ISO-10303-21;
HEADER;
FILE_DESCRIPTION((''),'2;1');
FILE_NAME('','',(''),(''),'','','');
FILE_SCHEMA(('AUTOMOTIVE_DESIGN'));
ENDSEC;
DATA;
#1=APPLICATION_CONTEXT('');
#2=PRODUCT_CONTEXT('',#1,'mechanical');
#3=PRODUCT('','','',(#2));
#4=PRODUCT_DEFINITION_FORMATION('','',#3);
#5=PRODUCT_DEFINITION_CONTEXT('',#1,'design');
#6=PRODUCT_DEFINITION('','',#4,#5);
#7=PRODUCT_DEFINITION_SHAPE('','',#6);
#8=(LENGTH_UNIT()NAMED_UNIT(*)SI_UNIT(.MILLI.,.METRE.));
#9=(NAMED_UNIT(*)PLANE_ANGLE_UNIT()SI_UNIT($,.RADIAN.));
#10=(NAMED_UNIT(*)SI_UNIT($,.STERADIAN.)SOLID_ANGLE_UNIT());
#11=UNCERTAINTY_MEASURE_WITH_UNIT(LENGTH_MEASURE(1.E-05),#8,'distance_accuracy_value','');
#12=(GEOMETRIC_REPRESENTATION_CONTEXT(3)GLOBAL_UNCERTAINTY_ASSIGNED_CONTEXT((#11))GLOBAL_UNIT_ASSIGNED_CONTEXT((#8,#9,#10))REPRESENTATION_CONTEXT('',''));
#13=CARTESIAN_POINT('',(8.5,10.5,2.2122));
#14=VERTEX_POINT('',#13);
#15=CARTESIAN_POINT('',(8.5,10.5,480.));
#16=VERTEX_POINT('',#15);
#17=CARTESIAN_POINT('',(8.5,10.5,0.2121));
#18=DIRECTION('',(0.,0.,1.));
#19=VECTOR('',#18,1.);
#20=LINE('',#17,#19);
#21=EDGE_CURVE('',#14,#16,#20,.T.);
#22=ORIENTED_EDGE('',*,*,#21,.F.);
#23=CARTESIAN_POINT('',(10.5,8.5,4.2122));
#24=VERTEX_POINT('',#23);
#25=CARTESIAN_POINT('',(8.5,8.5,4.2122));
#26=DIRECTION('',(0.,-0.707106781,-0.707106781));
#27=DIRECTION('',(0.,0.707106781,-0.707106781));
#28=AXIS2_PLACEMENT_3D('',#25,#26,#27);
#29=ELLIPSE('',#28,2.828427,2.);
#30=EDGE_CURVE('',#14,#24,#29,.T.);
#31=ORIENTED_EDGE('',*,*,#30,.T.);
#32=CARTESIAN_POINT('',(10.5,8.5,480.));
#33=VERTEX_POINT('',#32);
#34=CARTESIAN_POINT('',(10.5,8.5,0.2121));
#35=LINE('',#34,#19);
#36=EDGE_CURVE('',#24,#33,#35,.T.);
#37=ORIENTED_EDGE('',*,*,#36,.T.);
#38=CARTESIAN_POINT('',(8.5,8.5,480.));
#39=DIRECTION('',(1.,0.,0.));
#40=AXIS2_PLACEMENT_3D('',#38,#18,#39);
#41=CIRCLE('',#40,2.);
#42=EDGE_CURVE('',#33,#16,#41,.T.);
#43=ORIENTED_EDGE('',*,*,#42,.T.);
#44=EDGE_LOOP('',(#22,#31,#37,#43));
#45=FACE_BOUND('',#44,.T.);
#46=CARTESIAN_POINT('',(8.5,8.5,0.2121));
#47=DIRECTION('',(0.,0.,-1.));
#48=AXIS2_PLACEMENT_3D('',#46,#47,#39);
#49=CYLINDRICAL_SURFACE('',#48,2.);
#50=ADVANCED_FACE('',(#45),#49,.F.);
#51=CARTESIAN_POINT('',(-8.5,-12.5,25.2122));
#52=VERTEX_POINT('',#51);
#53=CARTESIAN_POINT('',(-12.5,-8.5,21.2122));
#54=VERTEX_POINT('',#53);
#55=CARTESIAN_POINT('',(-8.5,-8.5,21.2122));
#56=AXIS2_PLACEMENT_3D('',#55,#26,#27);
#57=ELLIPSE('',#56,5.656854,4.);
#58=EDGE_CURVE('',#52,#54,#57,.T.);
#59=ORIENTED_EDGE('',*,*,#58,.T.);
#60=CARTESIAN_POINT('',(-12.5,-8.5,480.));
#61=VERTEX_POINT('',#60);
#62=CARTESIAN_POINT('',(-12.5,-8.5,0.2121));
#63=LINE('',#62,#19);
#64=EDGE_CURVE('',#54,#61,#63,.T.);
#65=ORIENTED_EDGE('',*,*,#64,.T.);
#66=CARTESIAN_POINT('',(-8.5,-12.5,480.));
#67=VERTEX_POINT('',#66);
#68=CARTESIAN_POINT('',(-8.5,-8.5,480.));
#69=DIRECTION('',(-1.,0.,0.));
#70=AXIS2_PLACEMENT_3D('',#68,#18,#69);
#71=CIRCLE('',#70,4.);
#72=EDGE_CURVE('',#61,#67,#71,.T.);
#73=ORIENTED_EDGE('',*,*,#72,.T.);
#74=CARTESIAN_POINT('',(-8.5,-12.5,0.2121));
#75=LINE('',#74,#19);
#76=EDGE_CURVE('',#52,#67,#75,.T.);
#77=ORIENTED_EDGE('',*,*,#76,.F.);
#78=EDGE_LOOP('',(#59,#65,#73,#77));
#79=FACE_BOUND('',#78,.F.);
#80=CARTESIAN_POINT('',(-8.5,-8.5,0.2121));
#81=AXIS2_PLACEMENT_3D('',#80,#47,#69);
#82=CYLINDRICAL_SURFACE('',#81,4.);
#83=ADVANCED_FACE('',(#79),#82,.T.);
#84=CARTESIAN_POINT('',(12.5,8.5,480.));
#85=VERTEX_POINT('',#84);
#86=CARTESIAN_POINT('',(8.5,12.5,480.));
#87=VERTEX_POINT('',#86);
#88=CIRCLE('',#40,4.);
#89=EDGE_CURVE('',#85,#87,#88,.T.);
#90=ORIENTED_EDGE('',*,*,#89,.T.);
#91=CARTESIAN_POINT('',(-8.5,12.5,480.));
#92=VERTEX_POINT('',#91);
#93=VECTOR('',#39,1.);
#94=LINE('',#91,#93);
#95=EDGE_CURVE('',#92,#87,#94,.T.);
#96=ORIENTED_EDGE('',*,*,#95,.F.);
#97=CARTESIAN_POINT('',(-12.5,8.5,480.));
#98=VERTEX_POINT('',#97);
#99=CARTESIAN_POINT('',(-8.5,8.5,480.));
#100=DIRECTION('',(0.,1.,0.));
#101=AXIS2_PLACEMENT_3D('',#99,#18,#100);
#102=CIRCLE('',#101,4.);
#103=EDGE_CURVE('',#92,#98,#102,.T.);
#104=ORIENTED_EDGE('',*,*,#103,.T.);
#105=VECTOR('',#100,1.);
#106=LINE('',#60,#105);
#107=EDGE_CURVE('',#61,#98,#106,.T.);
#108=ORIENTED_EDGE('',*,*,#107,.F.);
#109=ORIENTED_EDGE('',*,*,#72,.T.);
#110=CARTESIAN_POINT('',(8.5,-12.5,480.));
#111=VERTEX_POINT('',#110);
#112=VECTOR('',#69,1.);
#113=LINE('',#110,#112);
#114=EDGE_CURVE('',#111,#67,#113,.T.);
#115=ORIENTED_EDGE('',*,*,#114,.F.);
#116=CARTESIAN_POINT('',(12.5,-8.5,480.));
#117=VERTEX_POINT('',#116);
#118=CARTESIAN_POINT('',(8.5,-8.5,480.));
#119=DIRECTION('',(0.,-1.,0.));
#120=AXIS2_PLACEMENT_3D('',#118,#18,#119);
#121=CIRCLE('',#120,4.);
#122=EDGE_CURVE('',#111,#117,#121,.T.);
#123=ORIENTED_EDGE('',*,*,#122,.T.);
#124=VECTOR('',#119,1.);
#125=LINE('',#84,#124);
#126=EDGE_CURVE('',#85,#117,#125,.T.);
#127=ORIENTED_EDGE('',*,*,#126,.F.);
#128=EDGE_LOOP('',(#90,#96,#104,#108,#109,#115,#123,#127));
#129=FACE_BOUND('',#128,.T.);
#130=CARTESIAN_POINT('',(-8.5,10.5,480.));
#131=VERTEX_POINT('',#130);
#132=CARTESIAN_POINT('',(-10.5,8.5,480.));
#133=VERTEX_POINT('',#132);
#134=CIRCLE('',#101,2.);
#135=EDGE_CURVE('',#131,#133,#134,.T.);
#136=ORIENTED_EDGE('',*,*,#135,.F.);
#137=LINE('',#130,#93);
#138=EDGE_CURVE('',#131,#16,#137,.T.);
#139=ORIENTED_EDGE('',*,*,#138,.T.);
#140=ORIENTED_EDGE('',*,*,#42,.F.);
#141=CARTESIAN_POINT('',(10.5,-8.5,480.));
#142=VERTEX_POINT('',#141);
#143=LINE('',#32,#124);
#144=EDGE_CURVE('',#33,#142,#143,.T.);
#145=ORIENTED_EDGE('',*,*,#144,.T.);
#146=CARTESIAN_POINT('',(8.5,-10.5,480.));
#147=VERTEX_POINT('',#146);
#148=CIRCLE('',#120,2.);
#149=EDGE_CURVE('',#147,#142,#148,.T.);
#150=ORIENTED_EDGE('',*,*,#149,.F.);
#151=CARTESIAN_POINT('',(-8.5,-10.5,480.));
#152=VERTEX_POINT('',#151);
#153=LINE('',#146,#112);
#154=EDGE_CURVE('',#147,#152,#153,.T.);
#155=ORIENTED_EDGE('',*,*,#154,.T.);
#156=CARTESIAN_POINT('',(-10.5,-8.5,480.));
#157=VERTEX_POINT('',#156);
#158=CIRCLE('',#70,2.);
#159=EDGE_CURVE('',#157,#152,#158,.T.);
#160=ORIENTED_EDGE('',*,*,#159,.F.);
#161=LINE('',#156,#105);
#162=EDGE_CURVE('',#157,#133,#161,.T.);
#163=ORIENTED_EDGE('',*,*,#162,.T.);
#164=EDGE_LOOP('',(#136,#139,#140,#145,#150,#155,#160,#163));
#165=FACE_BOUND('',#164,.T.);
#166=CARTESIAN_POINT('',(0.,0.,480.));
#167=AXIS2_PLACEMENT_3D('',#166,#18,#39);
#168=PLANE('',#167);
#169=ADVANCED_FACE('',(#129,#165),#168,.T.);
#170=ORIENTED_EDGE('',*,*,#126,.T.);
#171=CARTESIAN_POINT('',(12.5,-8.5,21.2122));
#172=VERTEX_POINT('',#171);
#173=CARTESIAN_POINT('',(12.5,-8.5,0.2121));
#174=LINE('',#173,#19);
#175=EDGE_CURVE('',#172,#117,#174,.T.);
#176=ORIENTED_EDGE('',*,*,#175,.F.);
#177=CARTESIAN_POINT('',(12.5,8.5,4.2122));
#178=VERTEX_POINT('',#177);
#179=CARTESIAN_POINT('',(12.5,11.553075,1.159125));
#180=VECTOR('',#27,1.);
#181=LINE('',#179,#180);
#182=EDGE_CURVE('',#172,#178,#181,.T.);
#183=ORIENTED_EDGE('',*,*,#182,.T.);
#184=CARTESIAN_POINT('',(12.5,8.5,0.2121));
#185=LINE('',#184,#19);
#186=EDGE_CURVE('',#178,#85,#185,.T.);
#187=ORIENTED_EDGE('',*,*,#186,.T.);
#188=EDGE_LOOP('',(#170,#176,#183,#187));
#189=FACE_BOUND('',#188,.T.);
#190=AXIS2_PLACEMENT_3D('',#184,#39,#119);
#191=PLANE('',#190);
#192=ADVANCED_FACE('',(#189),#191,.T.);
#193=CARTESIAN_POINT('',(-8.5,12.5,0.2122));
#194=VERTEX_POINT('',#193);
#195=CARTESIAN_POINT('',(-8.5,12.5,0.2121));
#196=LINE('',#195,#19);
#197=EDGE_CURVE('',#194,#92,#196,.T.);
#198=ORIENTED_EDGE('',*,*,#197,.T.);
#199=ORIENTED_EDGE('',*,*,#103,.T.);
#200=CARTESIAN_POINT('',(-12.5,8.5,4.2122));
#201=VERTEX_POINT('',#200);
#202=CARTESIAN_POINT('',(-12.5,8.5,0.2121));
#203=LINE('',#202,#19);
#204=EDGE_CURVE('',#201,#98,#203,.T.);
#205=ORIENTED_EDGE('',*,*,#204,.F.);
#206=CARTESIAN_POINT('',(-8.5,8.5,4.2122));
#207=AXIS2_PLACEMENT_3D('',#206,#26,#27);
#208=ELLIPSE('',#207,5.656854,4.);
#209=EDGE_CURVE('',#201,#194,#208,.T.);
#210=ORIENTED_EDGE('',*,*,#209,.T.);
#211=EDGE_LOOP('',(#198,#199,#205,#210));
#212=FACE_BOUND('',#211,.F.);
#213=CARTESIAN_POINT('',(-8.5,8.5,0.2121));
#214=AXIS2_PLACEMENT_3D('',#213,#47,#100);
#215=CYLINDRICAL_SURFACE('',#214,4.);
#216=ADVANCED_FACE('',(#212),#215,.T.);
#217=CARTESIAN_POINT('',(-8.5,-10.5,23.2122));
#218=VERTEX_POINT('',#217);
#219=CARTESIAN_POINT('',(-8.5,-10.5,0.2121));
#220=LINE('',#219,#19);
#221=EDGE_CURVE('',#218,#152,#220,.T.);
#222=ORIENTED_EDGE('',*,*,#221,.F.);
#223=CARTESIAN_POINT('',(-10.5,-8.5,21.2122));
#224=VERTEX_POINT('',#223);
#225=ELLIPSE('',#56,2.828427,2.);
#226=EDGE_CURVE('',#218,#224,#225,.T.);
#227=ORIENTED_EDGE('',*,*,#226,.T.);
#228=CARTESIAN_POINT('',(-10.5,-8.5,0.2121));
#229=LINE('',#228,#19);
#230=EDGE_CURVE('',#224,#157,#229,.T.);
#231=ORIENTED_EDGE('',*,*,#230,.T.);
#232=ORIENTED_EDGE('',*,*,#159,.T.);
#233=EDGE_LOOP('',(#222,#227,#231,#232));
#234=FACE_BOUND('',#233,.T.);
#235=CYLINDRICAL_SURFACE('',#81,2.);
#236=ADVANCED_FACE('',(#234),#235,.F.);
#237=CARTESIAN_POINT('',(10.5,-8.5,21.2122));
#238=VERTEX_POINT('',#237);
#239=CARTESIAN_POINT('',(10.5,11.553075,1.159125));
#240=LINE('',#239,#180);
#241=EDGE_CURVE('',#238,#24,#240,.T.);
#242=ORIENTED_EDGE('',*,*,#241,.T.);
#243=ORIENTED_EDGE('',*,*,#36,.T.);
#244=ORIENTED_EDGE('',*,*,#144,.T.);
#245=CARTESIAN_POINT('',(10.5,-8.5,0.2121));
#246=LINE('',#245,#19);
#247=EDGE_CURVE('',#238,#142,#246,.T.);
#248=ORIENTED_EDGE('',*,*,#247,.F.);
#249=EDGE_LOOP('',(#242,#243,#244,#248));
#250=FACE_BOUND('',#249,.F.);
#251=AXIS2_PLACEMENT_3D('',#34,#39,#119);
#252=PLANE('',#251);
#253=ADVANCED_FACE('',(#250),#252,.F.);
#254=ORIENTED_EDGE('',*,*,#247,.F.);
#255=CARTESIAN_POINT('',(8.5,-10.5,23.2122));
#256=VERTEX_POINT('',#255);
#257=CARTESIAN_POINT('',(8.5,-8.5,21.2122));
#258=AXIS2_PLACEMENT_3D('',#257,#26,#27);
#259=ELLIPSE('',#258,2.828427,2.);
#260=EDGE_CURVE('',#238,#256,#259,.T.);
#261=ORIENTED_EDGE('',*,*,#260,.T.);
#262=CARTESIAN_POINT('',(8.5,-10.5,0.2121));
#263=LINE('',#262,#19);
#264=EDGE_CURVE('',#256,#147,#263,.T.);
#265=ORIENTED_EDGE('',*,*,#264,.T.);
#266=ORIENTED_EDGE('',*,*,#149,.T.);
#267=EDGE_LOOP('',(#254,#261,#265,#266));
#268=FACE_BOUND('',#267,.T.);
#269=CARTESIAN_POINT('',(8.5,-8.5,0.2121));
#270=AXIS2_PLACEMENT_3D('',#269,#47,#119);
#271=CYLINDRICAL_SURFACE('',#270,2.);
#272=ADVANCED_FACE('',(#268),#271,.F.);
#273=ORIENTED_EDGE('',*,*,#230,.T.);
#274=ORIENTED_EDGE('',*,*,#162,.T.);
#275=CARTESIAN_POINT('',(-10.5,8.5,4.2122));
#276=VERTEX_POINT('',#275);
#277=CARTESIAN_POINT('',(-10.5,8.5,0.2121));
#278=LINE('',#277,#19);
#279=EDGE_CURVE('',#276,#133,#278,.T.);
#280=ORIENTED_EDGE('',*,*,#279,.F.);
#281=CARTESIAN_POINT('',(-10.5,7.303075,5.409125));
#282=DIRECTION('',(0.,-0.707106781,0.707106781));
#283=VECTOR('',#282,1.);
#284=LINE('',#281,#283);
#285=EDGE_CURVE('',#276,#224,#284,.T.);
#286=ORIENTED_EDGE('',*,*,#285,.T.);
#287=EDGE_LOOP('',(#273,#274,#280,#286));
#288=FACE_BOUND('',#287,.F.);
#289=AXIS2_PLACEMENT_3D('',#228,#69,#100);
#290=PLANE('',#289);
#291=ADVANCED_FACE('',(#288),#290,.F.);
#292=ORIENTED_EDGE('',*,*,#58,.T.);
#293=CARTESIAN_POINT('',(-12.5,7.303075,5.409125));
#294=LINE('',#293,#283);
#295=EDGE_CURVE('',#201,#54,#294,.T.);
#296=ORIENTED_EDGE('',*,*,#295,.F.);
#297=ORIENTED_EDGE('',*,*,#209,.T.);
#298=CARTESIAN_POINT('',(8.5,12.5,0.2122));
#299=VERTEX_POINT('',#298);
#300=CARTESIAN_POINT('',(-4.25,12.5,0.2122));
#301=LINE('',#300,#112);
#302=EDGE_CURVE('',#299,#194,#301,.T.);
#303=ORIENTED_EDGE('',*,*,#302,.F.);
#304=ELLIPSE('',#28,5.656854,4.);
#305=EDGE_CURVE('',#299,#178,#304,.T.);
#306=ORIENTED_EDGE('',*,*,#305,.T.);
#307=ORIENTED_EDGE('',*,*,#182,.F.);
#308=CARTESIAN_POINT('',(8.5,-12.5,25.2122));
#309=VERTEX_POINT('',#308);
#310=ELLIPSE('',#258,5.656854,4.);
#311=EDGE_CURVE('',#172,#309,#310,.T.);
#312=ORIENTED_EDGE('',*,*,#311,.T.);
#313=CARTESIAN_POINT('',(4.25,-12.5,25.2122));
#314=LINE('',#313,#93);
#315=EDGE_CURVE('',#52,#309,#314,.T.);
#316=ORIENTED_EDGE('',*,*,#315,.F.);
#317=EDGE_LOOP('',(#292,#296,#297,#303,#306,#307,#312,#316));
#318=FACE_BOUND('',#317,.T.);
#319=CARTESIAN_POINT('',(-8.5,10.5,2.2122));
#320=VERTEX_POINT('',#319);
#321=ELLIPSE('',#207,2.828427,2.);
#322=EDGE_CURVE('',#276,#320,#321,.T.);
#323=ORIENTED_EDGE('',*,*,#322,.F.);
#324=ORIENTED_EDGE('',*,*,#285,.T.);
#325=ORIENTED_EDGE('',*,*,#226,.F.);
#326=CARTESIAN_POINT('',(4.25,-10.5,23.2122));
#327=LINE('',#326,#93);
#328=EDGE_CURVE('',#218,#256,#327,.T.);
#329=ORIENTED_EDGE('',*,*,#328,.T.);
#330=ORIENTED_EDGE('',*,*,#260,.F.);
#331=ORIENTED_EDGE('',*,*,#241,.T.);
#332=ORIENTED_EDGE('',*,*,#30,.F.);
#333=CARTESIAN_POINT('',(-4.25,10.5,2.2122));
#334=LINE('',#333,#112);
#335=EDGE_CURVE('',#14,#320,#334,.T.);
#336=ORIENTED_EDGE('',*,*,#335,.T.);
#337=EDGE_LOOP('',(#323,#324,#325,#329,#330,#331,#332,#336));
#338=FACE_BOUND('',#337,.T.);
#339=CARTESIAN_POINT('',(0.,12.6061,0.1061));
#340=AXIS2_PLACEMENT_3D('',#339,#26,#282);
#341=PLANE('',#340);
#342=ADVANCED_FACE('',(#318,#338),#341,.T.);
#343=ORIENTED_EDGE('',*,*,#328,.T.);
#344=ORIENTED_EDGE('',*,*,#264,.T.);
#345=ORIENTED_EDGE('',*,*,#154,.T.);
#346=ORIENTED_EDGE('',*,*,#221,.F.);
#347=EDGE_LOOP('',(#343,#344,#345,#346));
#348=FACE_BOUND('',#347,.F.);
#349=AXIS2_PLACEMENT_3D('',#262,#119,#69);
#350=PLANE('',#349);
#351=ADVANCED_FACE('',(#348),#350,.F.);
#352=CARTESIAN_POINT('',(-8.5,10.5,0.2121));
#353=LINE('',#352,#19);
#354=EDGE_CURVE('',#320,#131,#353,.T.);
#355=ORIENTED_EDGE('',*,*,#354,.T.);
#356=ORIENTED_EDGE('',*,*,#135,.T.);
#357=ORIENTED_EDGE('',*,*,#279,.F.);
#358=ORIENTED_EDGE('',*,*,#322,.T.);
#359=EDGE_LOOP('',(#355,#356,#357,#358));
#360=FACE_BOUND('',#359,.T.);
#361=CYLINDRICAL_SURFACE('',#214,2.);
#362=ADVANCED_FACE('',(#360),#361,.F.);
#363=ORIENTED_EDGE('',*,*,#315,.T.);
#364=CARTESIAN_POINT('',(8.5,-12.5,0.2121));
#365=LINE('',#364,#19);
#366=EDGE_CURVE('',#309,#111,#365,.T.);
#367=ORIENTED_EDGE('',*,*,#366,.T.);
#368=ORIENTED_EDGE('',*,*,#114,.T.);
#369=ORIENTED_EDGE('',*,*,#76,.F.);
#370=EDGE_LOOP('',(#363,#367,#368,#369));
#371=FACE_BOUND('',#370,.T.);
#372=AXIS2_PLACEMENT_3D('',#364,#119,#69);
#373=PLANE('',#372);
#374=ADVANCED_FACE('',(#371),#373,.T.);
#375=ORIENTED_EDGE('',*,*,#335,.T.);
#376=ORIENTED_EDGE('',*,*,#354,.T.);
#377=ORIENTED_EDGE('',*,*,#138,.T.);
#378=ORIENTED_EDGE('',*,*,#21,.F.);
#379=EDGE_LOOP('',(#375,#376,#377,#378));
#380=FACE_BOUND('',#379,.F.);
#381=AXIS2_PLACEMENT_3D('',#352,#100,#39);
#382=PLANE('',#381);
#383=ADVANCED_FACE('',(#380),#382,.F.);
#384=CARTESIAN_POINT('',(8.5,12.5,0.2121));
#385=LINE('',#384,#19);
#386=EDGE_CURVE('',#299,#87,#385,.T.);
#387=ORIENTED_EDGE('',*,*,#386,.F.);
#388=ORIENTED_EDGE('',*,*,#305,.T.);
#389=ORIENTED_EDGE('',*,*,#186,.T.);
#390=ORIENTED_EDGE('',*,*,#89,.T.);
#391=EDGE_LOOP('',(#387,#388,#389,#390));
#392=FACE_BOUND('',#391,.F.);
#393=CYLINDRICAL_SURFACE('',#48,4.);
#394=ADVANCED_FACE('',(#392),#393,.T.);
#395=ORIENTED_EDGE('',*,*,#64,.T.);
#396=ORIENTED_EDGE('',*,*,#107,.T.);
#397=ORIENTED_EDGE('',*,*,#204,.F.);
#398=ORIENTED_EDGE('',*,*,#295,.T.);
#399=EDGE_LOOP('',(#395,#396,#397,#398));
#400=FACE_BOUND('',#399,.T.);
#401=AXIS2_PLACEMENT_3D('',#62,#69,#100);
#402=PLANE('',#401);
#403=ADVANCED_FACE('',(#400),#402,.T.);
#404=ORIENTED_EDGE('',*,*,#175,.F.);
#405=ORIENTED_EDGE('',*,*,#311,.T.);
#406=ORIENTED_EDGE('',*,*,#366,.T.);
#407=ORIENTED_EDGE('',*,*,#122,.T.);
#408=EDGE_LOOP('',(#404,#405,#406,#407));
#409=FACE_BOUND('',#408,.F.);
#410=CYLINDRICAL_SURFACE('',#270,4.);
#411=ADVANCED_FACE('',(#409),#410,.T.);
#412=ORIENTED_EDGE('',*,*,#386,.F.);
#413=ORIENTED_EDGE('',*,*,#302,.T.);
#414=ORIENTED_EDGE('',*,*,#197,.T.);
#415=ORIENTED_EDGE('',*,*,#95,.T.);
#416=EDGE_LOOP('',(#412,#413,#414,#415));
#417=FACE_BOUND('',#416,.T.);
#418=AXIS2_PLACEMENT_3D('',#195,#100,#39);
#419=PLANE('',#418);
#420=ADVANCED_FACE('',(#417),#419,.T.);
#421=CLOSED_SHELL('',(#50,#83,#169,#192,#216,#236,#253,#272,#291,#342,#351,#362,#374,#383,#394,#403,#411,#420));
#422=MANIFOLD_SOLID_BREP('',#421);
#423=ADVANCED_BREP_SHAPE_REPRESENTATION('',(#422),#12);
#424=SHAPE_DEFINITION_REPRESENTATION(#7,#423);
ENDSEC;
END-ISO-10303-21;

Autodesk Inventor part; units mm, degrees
ref_plane "Start plane" through (0, 0, 0.2121) normal (0, 0, 1) x (1, 0, 0)
ref_plane "End plane" through (0, 0, 480) normal (0, 0, 1) x (1, 0, 0)
sketch "Sketch" plane through (0, 0, 0) normal (0, 0, 1) x (1, 0, 0)
  line L0 (-12.5, -8.5) -> (-12.5, 8.5)
  line L1 (-8.5, 12.5) -> (8.5, 12.5)
  line L2 (12.5, 8.5) -> (12.5, -8.5)
  line L3 (8.5, -12.5) -> (-8.5, -12.5)
  arc A0 (-12.5, -8.5) -> (-8.5, -12.5) centre (-8.5, -8.5) ccw
  arc A1 (12.5, 8.5) -> (8.5, 12.5) centre (8.5, 8.5) ccw
  arc A2 (-8.5, 12.5) -> (-12.5, 8.5) centre (-8.5, 8.5) ccw
  arc A3 (8.5, -12.5) -> (12.5, -8.5) centre (8.5, -8.5) ccw
  arc A4 (-8.5, 10.5) -> (-10.5, 8.5) centre (-8.5, 8.5) ccw
  line L4 (-8.5, 10.5) -> (8.5, 10.5)
  arc A5 (10.5, 8.5) -> (8.5, 10.5) centre (8.5, 8.5) ccw
  line L5 (10.5, 8.5) -> (10.5, -8.5)
  arc A6 (8.5, -10.5) -> (10.5, -8.5) centre (8.5, -8.5) ccw
  line L6 (8.5, -10.5) -> (-8.5, -10.5)
  arc A7 (-10.5, -8.5) -> (-8.5, -10.5) centre (-8.5, -8.5) ccw
  line L7 (-10.5, -8.5) -> (-10.5, 8.5)
  line L8 (0, 18.6598) -> (0, -18.6598) construction
  line L9 (-18.6598, 0) -> (18.6598, 0) construction
  dimension "d7" = 4
  dimension "d9" = 25
  dimension "d11" = 25
  dimension "d12" = 2
  dimension "d15" = 12.5
  dimension "d16" = 12.5
extrude "Body" add sketch "Sketch" along normal up to surface (479.7879 mm away) from surface at 0.2121
sketch "Sketch3" plane through (0, 0, 0) normal (0, 0, 1) x (1, 0, 0)
  line L0 (0, 0) -> (10, 0)
ref_plane "Work Plane3" through (0, 0, 0) normal (0, -1, 0) x (1, 0, 0)
sketch "Sketch4" plane through (0, 0, 0) normal (0, -1, 0) x (1, 0, 0)
  line L0 (-2, 0.2121) -> (12, 0.2121)
  line L1 (-2, 480) -> (12, 480)
  dimension "d18" = 479.7879
ref_plane "Work Plane4" through (0, 12.6061, 0.1061) normal (0, -0.7071, -0.7071) x (1, 0, 0)
split "Split1" plane through (0, 12.6061, 0.1061) removes the side toward (0, -0.7071, -0.7071)
equation "\"d7\" = G_IR"
equation "\"d9\" = G_W"
equation "\"d11\" = G_H"
equation "\"d12\" = G_T"
equation "\"d15\" = 0.5 * d9"
equation "\"d16\" = 0.5 * d11"
equation "\"d3\" = G_L"
equation "\"G_W\" = 25"
equation "\"G_H\" = 25"
equation "\"G_T\" = 2"
equation "\"G_IR\" = 4"
equation "\"G_L\" = d18"
equation "\"G_OFFSET_START\" = -0.21213"
equation "\"G_OFFSET_END\" = 0"
equation "\"d13\" = -G_OFFSET_START"
properties part number "ISO 4019 - 25x25x2 - 479.788" material "Steel, Mild"
